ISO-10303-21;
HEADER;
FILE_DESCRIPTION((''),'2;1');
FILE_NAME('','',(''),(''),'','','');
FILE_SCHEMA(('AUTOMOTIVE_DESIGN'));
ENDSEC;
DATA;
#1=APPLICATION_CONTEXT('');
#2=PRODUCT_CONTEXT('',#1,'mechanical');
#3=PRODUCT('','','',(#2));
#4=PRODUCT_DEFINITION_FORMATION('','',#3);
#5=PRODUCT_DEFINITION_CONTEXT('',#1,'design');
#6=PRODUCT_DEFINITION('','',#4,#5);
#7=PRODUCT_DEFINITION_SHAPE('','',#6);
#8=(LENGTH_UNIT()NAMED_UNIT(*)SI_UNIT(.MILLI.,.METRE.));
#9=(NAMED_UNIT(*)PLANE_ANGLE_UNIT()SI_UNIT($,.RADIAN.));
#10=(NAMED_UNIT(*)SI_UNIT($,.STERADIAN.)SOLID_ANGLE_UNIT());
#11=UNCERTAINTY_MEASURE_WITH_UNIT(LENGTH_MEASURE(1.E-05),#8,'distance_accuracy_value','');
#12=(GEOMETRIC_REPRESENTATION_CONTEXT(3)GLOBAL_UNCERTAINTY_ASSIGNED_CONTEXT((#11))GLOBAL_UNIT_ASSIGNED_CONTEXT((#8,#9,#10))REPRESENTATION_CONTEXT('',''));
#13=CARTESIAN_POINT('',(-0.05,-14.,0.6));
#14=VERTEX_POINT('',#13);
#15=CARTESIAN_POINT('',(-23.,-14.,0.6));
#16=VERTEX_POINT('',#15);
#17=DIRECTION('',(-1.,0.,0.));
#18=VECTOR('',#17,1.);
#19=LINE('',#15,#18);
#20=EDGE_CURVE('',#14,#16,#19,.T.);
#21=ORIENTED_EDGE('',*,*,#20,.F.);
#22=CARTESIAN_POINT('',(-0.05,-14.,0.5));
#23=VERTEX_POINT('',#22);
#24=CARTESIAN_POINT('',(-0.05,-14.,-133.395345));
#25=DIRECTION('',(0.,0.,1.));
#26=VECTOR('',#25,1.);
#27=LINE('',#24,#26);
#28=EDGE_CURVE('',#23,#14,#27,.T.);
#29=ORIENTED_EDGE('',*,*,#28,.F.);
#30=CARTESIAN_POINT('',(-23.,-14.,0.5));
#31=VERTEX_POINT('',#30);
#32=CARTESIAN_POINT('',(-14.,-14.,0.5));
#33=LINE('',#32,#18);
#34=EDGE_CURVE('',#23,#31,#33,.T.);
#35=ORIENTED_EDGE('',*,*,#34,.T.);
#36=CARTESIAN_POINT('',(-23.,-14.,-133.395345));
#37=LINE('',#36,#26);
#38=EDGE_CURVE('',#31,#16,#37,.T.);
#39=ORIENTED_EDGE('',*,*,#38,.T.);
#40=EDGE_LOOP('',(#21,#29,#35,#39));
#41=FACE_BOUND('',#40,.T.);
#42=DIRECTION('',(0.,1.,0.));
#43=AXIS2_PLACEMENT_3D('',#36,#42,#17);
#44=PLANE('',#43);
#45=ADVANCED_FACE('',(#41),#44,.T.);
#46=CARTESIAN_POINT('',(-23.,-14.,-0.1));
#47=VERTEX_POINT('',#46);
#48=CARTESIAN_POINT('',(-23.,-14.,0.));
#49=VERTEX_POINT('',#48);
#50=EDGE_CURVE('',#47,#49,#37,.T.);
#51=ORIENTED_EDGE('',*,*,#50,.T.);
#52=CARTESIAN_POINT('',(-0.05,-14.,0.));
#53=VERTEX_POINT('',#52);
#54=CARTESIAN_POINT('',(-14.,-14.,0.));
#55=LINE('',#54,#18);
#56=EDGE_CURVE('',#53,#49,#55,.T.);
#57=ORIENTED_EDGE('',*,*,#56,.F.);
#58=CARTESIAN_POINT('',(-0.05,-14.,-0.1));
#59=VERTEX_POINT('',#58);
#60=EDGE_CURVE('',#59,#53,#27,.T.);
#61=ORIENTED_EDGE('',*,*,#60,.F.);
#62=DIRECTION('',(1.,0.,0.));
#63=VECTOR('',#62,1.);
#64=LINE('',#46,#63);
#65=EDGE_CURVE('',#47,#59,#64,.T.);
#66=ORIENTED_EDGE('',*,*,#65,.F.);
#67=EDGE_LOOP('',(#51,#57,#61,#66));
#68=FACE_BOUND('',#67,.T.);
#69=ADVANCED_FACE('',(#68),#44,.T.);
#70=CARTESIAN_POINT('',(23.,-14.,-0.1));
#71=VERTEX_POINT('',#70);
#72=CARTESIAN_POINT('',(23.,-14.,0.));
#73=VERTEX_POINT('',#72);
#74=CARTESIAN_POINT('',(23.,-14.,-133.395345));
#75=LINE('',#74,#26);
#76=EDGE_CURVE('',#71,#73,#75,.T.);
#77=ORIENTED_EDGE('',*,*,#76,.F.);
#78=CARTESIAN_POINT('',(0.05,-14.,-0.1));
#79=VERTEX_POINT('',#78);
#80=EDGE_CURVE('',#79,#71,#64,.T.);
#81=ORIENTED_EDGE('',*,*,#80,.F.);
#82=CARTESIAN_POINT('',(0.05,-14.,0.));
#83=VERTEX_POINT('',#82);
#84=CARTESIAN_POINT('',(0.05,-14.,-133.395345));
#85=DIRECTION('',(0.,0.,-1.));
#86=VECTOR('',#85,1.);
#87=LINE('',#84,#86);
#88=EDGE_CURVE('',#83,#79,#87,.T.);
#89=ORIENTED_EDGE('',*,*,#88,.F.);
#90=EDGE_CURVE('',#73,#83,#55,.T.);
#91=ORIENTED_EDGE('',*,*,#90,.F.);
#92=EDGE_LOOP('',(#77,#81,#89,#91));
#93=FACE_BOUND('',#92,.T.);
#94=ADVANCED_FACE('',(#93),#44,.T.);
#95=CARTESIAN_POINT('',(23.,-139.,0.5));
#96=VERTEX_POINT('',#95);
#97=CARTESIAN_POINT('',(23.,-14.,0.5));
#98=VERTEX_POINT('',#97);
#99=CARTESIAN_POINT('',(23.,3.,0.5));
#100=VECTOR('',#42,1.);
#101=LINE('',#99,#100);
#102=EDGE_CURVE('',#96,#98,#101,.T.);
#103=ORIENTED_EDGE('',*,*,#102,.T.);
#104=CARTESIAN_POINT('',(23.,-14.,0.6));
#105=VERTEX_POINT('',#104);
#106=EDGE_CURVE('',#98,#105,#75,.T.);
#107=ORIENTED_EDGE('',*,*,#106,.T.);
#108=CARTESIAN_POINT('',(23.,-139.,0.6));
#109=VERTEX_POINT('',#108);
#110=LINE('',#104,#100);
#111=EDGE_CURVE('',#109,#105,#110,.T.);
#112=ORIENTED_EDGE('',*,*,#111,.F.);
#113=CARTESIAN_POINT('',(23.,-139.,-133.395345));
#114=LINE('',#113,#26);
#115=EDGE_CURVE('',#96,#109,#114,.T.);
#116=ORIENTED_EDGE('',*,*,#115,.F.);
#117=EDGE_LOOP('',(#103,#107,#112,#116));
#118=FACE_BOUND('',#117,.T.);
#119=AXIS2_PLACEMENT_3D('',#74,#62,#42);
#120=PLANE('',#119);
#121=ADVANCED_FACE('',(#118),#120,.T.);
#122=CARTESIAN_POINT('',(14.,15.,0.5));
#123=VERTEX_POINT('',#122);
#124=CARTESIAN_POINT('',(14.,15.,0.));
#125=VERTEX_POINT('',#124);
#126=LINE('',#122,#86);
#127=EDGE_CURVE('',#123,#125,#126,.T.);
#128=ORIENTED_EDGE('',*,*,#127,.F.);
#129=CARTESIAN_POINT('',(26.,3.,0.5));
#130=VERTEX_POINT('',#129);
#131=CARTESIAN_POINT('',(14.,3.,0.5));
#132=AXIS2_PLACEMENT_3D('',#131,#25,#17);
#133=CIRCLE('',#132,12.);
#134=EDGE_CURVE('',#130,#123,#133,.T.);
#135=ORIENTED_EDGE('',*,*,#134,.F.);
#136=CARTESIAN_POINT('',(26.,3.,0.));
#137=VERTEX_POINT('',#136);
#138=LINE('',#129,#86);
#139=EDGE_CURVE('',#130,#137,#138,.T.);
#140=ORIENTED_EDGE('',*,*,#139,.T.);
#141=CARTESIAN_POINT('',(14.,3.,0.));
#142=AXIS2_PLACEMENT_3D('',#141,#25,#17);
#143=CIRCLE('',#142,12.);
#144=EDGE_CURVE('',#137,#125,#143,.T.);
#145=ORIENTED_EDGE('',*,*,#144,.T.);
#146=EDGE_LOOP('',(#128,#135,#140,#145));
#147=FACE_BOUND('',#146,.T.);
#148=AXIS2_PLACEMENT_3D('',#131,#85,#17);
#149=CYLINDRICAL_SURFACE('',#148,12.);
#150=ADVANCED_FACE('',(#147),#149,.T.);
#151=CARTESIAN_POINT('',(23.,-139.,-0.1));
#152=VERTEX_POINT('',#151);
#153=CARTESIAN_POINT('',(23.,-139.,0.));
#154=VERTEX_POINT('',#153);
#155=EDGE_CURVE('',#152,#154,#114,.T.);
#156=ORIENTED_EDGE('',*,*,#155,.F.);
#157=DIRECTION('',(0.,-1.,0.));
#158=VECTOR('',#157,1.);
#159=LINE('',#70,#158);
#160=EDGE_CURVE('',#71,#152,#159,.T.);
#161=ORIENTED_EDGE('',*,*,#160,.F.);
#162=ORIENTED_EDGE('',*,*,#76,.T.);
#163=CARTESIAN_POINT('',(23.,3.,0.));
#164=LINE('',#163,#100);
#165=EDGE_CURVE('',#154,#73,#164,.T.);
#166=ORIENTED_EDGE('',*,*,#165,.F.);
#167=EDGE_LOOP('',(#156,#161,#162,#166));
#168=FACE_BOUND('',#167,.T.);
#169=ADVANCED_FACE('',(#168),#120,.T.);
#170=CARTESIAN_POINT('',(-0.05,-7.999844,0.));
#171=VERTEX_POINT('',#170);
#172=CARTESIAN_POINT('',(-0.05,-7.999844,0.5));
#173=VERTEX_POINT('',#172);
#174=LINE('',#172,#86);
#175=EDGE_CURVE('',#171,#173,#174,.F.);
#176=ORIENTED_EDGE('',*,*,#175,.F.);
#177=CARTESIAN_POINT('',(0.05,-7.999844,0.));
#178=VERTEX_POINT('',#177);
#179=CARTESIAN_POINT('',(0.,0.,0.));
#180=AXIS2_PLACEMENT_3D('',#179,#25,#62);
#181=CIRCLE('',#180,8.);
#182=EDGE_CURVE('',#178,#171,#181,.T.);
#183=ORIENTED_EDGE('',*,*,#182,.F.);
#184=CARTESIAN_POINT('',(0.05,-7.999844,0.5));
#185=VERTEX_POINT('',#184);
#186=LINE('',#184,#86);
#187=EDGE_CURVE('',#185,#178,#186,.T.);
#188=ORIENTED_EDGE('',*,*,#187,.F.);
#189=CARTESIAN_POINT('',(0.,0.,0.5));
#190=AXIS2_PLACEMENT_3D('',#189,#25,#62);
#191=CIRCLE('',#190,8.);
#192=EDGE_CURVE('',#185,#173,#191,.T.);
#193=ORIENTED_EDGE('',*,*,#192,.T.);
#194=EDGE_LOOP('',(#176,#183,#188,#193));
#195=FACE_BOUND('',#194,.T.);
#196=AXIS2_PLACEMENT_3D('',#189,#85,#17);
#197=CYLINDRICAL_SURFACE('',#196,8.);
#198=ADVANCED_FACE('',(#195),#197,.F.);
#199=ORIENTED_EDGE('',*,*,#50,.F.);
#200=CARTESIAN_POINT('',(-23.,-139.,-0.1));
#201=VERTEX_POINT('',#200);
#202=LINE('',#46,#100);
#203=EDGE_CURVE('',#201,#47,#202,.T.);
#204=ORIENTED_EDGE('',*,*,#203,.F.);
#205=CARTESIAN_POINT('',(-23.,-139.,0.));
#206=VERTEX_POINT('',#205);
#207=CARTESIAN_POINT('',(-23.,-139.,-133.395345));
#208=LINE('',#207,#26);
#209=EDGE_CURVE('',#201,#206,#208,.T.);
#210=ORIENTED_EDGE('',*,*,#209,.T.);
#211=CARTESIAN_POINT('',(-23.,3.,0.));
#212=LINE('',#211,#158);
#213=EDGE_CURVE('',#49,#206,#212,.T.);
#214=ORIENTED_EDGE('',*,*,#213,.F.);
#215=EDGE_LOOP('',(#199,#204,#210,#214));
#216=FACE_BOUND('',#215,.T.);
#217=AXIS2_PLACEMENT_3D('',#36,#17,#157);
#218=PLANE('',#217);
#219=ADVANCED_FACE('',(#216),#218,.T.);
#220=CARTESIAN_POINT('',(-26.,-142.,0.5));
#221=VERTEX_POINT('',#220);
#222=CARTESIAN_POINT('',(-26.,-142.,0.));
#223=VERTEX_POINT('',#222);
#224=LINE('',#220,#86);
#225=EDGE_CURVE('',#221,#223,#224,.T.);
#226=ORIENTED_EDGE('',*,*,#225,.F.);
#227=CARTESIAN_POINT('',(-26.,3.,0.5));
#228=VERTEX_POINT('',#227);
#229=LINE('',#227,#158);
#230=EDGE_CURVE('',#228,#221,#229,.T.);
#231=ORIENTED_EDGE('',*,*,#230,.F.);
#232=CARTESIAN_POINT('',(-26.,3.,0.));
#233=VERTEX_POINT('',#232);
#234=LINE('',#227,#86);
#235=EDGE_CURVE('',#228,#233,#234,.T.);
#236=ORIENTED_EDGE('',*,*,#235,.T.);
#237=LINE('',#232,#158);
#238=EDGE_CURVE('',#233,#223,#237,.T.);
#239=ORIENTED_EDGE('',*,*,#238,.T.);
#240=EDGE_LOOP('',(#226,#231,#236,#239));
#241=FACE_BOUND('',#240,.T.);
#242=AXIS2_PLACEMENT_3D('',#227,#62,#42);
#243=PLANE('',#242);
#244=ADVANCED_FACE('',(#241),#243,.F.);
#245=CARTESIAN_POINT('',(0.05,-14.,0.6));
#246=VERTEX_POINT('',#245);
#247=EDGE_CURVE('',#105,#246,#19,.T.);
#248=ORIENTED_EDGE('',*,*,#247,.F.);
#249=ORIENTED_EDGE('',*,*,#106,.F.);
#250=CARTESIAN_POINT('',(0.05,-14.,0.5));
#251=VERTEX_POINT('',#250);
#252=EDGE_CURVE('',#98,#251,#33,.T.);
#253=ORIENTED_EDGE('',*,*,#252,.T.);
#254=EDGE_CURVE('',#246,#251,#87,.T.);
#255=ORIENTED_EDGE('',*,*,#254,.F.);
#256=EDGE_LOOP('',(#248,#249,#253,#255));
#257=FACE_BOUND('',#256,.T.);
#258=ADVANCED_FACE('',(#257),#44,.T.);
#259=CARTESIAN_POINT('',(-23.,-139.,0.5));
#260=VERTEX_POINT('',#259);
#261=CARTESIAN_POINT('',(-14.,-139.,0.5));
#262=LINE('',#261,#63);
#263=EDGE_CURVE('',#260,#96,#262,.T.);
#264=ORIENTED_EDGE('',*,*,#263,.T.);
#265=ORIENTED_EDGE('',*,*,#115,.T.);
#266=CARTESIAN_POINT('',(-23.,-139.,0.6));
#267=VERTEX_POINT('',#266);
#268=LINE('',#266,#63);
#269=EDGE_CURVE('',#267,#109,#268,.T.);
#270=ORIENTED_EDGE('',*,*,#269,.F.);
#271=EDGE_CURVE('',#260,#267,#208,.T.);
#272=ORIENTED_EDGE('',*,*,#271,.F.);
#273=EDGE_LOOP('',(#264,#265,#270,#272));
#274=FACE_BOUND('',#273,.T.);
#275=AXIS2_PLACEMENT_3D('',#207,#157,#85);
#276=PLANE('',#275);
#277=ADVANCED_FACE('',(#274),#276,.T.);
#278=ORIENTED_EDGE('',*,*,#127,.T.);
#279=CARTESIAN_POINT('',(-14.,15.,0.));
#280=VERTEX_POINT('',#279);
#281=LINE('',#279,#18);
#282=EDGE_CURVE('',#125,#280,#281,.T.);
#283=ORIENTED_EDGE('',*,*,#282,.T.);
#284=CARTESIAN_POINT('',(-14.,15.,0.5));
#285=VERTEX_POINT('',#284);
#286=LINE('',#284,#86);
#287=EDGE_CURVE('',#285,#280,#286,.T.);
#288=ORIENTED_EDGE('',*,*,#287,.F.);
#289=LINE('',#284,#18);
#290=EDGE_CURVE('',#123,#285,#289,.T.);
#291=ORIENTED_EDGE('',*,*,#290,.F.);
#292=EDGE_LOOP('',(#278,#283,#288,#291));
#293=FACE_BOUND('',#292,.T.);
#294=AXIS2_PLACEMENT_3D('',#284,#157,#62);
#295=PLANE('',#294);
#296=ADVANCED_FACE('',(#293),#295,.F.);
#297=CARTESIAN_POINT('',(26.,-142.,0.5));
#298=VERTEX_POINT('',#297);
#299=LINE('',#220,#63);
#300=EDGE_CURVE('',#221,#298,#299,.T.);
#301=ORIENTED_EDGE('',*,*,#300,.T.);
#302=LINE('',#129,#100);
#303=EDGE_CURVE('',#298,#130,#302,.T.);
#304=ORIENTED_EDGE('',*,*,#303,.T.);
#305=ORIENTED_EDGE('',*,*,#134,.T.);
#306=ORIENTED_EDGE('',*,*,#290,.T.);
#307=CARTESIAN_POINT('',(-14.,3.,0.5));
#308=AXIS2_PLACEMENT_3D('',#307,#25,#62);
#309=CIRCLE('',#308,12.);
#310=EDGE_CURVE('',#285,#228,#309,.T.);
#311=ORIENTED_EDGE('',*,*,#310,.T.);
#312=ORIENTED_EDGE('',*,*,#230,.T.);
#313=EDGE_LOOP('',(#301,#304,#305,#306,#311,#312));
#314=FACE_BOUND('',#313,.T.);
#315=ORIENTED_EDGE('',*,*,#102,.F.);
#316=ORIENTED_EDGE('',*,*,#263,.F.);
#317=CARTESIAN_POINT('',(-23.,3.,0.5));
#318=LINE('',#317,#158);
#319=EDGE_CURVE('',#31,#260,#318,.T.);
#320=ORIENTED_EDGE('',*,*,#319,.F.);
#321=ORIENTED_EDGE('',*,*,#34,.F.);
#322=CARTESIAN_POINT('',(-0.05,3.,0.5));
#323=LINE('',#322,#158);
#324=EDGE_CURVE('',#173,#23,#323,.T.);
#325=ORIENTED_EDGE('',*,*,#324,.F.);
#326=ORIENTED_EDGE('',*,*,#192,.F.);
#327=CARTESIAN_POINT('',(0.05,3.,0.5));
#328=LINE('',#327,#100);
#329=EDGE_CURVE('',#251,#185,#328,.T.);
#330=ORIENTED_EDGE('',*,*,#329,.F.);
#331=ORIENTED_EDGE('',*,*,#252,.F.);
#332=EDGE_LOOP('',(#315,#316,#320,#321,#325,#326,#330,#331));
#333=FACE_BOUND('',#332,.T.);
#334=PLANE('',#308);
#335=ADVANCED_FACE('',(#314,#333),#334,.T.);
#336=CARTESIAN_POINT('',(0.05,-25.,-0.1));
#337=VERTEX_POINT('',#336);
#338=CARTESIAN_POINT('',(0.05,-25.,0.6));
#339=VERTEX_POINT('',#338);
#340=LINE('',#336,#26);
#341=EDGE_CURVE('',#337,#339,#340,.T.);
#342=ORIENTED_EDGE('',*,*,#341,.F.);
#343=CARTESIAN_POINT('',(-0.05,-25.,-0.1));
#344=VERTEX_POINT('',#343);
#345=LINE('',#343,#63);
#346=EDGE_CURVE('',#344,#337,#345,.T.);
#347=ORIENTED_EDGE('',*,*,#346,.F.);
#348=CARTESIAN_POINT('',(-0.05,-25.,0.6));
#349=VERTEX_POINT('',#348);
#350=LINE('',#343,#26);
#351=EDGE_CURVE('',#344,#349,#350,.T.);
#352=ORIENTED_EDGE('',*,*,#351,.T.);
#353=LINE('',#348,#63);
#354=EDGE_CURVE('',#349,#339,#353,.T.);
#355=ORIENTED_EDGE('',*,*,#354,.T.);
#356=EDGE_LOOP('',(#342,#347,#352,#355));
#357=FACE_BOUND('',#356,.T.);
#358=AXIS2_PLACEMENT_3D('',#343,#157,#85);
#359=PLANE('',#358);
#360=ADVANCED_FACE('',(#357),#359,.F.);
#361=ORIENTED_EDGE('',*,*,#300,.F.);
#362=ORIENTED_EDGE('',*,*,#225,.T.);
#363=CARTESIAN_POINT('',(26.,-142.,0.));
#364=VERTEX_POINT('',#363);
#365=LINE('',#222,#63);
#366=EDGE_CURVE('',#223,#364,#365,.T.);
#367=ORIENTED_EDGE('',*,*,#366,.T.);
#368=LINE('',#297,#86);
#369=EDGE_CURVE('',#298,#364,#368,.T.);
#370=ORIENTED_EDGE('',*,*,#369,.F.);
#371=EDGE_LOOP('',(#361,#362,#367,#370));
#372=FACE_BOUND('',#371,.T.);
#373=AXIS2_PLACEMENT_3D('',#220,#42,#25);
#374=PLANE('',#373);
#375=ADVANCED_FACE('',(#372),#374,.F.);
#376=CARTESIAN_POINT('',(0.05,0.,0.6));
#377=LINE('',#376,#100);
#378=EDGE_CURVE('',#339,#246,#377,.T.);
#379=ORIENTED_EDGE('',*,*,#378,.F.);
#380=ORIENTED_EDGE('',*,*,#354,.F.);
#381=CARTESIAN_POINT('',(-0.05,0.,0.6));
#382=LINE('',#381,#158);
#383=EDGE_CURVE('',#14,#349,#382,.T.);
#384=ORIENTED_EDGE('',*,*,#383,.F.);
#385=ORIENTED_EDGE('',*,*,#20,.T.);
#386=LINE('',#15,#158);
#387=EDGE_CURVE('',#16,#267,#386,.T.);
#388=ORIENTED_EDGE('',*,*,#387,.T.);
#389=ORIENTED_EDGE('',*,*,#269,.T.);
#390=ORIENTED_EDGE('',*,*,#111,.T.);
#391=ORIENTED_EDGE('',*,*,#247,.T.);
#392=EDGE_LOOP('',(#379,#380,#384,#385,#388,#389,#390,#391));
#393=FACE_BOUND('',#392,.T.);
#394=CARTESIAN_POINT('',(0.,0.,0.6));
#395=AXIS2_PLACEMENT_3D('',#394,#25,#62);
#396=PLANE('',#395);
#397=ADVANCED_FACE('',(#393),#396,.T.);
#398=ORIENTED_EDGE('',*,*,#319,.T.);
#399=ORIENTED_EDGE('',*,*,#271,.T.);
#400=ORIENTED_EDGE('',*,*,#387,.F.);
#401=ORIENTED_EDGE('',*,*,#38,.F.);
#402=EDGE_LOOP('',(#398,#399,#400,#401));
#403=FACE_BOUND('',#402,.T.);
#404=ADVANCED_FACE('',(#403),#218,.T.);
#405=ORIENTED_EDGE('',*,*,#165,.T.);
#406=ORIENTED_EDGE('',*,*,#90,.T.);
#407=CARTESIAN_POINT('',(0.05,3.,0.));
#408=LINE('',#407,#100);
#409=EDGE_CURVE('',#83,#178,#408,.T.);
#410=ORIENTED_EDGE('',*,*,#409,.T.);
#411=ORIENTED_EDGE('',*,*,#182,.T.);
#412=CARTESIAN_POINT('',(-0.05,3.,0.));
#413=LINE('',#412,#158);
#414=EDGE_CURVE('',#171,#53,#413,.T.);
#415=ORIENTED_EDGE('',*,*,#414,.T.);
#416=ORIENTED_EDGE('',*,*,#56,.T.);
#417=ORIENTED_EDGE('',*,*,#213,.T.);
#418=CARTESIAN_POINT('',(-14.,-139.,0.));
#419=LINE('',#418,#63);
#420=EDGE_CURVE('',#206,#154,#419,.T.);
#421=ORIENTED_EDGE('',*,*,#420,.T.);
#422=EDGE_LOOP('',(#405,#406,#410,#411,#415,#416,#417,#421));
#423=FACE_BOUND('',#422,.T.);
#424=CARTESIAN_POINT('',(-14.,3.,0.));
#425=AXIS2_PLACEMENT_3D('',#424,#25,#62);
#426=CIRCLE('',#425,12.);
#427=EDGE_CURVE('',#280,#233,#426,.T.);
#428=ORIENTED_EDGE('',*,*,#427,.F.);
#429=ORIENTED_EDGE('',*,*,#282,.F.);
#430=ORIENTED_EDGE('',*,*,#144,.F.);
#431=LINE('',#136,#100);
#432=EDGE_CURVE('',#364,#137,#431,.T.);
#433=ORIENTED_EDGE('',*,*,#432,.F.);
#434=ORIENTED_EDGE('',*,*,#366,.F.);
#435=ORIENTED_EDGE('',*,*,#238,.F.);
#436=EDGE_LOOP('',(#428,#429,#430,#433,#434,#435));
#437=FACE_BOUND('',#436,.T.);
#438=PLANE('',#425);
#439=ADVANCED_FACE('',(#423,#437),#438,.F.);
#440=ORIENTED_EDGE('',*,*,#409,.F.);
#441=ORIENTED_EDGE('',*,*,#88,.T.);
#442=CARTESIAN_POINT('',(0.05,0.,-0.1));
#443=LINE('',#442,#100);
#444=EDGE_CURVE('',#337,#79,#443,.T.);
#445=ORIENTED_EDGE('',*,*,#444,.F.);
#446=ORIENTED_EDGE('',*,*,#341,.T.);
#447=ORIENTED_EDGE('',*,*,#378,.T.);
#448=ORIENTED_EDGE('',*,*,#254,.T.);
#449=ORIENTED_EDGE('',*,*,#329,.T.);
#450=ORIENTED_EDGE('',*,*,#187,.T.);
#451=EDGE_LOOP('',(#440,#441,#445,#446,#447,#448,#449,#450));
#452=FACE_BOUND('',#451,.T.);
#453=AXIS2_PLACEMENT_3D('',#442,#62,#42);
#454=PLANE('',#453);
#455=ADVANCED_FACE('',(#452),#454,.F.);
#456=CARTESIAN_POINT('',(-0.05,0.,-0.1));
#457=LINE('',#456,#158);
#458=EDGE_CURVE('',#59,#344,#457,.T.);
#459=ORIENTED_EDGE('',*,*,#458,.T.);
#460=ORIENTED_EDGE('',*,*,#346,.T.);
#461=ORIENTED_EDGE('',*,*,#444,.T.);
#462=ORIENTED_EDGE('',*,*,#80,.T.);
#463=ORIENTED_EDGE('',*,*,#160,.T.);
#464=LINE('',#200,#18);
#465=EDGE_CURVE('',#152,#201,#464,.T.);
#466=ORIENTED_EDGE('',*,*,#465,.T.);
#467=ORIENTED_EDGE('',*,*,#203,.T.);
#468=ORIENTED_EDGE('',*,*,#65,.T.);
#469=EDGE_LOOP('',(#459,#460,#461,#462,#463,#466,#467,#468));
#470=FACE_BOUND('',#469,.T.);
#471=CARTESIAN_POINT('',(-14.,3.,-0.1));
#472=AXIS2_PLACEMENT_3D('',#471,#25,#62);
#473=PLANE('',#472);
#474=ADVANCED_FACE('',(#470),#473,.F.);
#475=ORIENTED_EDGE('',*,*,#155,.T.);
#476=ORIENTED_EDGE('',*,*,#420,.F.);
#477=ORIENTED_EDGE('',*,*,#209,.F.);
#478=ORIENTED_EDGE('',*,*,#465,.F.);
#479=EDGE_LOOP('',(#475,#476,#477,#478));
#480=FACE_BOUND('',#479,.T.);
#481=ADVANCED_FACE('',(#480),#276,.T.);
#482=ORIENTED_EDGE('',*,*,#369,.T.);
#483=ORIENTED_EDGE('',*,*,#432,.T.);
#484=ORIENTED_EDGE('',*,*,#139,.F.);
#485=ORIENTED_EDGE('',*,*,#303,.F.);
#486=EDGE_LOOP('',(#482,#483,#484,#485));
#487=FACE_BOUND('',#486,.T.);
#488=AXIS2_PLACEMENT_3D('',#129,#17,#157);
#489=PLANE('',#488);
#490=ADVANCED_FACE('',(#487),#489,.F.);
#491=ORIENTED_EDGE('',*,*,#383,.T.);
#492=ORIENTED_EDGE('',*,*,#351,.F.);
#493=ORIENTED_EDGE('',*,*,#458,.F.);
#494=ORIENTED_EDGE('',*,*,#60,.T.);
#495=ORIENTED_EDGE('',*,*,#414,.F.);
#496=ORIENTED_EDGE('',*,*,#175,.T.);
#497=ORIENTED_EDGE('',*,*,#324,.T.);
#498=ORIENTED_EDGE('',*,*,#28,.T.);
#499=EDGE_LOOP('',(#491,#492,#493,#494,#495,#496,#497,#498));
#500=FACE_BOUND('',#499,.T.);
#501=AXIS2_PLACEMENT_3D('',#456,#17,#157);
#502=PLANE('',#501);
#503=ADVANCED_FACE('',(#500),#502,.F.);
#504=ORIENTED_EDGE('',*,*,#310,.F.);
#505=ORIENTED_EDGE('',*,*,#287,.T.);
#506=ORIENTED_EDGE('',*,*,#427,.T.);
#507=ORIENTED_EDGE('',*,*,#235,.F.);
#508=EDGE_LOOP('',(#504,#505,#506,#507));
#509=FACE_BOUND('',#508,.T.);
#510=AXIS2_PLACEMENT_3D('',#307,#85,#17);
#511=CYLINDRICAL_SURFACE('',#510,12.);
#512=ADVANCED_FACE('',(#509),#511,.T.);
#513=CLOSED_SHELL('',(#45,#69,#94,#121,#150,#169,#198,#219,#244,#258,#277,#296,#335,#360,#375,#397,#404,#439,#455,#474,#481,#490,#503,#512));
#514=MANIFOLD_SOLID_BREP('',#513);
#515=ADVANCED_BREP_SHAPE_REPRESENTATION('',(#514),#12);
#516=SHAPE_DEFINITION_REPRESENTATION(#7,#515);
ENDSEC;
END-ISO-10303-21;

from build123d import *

# Parameters (mm, degrees)
SKETCH2_R                = 8
BOSS_EXTRUDE1_DEPTH      = 0.5
BOSS_EXTRUDE2_DEPTH      = 0.1
BOSS_EXTRUDE2_DEPTH_BACK = 0.6
SKETCH4_W                = 46
SKETCH4_H                = 125
CUT_EXTRUDE1_DEPTH       = 145.361906333
CUT_EXTRUDE1_DEPTH_BACK  = 145.361906333
SKETCH5_W                = 0.1
SKETCH5_H                = 25


with BuildPart() as part:
    # Sketch2 → Boss-Extrude1 (new body)
    with BuildSketch(Plane.XY):
        with BuildLine():
            Line((-14, 15), (14, 15))
            ThreePointArc((14, 15), (22.485281374, 11.485281374), (26, 3))
            Line((26, 3), (26, -142))
            Line((26, -142), (-26, -142))
            Line((-26, -142), (-26, 3))
            ThreePointArc((-26, 3), (-22.485281374, 11.485281374), (-14, 15))
        make_face()
        Circle(SKETCH2_R, mode=Mode.SUBTRACT)
    extrude(amount=BOSS_EXTRUDE1_DEPTH)

    # Sketch4 → Boss-Extrude2 (add, two sides: drawn at the far end of the back side and taken through both)
    with BuildSketch(Plane.XY.offset(0.5).offset(-BOSS_EXTRUDE2_DEPTH_BACK)):
        with Locations((0, -76.5)):
            Rectangle(SKETCH4_W, SKETCH4_H)
    extrude(amount=BOSS_EXTRUDE2_DEPTH + BOSS_EXTRUDE2_DEPTH_BACK)

    # Sketch5 → Cut-Extrude1 (cut, two sides: drawn at the far end of the back side and taken through both)
    with BuildSketch(Plane.XY.offset(0.5).offset(-CUT_EXTRUDE1_DEPTH_BACK)):
        with Locations((0, -12.5)):
            Rectangle(SKETCH5_W, SKETCH5_H)
    extrude(amount=CUT_EXTRUDE1_DEPTH + CUT_EXTRUDE1_DEPTH_BACK, mode=Mode.SUBTRACT)


solid = part.part
